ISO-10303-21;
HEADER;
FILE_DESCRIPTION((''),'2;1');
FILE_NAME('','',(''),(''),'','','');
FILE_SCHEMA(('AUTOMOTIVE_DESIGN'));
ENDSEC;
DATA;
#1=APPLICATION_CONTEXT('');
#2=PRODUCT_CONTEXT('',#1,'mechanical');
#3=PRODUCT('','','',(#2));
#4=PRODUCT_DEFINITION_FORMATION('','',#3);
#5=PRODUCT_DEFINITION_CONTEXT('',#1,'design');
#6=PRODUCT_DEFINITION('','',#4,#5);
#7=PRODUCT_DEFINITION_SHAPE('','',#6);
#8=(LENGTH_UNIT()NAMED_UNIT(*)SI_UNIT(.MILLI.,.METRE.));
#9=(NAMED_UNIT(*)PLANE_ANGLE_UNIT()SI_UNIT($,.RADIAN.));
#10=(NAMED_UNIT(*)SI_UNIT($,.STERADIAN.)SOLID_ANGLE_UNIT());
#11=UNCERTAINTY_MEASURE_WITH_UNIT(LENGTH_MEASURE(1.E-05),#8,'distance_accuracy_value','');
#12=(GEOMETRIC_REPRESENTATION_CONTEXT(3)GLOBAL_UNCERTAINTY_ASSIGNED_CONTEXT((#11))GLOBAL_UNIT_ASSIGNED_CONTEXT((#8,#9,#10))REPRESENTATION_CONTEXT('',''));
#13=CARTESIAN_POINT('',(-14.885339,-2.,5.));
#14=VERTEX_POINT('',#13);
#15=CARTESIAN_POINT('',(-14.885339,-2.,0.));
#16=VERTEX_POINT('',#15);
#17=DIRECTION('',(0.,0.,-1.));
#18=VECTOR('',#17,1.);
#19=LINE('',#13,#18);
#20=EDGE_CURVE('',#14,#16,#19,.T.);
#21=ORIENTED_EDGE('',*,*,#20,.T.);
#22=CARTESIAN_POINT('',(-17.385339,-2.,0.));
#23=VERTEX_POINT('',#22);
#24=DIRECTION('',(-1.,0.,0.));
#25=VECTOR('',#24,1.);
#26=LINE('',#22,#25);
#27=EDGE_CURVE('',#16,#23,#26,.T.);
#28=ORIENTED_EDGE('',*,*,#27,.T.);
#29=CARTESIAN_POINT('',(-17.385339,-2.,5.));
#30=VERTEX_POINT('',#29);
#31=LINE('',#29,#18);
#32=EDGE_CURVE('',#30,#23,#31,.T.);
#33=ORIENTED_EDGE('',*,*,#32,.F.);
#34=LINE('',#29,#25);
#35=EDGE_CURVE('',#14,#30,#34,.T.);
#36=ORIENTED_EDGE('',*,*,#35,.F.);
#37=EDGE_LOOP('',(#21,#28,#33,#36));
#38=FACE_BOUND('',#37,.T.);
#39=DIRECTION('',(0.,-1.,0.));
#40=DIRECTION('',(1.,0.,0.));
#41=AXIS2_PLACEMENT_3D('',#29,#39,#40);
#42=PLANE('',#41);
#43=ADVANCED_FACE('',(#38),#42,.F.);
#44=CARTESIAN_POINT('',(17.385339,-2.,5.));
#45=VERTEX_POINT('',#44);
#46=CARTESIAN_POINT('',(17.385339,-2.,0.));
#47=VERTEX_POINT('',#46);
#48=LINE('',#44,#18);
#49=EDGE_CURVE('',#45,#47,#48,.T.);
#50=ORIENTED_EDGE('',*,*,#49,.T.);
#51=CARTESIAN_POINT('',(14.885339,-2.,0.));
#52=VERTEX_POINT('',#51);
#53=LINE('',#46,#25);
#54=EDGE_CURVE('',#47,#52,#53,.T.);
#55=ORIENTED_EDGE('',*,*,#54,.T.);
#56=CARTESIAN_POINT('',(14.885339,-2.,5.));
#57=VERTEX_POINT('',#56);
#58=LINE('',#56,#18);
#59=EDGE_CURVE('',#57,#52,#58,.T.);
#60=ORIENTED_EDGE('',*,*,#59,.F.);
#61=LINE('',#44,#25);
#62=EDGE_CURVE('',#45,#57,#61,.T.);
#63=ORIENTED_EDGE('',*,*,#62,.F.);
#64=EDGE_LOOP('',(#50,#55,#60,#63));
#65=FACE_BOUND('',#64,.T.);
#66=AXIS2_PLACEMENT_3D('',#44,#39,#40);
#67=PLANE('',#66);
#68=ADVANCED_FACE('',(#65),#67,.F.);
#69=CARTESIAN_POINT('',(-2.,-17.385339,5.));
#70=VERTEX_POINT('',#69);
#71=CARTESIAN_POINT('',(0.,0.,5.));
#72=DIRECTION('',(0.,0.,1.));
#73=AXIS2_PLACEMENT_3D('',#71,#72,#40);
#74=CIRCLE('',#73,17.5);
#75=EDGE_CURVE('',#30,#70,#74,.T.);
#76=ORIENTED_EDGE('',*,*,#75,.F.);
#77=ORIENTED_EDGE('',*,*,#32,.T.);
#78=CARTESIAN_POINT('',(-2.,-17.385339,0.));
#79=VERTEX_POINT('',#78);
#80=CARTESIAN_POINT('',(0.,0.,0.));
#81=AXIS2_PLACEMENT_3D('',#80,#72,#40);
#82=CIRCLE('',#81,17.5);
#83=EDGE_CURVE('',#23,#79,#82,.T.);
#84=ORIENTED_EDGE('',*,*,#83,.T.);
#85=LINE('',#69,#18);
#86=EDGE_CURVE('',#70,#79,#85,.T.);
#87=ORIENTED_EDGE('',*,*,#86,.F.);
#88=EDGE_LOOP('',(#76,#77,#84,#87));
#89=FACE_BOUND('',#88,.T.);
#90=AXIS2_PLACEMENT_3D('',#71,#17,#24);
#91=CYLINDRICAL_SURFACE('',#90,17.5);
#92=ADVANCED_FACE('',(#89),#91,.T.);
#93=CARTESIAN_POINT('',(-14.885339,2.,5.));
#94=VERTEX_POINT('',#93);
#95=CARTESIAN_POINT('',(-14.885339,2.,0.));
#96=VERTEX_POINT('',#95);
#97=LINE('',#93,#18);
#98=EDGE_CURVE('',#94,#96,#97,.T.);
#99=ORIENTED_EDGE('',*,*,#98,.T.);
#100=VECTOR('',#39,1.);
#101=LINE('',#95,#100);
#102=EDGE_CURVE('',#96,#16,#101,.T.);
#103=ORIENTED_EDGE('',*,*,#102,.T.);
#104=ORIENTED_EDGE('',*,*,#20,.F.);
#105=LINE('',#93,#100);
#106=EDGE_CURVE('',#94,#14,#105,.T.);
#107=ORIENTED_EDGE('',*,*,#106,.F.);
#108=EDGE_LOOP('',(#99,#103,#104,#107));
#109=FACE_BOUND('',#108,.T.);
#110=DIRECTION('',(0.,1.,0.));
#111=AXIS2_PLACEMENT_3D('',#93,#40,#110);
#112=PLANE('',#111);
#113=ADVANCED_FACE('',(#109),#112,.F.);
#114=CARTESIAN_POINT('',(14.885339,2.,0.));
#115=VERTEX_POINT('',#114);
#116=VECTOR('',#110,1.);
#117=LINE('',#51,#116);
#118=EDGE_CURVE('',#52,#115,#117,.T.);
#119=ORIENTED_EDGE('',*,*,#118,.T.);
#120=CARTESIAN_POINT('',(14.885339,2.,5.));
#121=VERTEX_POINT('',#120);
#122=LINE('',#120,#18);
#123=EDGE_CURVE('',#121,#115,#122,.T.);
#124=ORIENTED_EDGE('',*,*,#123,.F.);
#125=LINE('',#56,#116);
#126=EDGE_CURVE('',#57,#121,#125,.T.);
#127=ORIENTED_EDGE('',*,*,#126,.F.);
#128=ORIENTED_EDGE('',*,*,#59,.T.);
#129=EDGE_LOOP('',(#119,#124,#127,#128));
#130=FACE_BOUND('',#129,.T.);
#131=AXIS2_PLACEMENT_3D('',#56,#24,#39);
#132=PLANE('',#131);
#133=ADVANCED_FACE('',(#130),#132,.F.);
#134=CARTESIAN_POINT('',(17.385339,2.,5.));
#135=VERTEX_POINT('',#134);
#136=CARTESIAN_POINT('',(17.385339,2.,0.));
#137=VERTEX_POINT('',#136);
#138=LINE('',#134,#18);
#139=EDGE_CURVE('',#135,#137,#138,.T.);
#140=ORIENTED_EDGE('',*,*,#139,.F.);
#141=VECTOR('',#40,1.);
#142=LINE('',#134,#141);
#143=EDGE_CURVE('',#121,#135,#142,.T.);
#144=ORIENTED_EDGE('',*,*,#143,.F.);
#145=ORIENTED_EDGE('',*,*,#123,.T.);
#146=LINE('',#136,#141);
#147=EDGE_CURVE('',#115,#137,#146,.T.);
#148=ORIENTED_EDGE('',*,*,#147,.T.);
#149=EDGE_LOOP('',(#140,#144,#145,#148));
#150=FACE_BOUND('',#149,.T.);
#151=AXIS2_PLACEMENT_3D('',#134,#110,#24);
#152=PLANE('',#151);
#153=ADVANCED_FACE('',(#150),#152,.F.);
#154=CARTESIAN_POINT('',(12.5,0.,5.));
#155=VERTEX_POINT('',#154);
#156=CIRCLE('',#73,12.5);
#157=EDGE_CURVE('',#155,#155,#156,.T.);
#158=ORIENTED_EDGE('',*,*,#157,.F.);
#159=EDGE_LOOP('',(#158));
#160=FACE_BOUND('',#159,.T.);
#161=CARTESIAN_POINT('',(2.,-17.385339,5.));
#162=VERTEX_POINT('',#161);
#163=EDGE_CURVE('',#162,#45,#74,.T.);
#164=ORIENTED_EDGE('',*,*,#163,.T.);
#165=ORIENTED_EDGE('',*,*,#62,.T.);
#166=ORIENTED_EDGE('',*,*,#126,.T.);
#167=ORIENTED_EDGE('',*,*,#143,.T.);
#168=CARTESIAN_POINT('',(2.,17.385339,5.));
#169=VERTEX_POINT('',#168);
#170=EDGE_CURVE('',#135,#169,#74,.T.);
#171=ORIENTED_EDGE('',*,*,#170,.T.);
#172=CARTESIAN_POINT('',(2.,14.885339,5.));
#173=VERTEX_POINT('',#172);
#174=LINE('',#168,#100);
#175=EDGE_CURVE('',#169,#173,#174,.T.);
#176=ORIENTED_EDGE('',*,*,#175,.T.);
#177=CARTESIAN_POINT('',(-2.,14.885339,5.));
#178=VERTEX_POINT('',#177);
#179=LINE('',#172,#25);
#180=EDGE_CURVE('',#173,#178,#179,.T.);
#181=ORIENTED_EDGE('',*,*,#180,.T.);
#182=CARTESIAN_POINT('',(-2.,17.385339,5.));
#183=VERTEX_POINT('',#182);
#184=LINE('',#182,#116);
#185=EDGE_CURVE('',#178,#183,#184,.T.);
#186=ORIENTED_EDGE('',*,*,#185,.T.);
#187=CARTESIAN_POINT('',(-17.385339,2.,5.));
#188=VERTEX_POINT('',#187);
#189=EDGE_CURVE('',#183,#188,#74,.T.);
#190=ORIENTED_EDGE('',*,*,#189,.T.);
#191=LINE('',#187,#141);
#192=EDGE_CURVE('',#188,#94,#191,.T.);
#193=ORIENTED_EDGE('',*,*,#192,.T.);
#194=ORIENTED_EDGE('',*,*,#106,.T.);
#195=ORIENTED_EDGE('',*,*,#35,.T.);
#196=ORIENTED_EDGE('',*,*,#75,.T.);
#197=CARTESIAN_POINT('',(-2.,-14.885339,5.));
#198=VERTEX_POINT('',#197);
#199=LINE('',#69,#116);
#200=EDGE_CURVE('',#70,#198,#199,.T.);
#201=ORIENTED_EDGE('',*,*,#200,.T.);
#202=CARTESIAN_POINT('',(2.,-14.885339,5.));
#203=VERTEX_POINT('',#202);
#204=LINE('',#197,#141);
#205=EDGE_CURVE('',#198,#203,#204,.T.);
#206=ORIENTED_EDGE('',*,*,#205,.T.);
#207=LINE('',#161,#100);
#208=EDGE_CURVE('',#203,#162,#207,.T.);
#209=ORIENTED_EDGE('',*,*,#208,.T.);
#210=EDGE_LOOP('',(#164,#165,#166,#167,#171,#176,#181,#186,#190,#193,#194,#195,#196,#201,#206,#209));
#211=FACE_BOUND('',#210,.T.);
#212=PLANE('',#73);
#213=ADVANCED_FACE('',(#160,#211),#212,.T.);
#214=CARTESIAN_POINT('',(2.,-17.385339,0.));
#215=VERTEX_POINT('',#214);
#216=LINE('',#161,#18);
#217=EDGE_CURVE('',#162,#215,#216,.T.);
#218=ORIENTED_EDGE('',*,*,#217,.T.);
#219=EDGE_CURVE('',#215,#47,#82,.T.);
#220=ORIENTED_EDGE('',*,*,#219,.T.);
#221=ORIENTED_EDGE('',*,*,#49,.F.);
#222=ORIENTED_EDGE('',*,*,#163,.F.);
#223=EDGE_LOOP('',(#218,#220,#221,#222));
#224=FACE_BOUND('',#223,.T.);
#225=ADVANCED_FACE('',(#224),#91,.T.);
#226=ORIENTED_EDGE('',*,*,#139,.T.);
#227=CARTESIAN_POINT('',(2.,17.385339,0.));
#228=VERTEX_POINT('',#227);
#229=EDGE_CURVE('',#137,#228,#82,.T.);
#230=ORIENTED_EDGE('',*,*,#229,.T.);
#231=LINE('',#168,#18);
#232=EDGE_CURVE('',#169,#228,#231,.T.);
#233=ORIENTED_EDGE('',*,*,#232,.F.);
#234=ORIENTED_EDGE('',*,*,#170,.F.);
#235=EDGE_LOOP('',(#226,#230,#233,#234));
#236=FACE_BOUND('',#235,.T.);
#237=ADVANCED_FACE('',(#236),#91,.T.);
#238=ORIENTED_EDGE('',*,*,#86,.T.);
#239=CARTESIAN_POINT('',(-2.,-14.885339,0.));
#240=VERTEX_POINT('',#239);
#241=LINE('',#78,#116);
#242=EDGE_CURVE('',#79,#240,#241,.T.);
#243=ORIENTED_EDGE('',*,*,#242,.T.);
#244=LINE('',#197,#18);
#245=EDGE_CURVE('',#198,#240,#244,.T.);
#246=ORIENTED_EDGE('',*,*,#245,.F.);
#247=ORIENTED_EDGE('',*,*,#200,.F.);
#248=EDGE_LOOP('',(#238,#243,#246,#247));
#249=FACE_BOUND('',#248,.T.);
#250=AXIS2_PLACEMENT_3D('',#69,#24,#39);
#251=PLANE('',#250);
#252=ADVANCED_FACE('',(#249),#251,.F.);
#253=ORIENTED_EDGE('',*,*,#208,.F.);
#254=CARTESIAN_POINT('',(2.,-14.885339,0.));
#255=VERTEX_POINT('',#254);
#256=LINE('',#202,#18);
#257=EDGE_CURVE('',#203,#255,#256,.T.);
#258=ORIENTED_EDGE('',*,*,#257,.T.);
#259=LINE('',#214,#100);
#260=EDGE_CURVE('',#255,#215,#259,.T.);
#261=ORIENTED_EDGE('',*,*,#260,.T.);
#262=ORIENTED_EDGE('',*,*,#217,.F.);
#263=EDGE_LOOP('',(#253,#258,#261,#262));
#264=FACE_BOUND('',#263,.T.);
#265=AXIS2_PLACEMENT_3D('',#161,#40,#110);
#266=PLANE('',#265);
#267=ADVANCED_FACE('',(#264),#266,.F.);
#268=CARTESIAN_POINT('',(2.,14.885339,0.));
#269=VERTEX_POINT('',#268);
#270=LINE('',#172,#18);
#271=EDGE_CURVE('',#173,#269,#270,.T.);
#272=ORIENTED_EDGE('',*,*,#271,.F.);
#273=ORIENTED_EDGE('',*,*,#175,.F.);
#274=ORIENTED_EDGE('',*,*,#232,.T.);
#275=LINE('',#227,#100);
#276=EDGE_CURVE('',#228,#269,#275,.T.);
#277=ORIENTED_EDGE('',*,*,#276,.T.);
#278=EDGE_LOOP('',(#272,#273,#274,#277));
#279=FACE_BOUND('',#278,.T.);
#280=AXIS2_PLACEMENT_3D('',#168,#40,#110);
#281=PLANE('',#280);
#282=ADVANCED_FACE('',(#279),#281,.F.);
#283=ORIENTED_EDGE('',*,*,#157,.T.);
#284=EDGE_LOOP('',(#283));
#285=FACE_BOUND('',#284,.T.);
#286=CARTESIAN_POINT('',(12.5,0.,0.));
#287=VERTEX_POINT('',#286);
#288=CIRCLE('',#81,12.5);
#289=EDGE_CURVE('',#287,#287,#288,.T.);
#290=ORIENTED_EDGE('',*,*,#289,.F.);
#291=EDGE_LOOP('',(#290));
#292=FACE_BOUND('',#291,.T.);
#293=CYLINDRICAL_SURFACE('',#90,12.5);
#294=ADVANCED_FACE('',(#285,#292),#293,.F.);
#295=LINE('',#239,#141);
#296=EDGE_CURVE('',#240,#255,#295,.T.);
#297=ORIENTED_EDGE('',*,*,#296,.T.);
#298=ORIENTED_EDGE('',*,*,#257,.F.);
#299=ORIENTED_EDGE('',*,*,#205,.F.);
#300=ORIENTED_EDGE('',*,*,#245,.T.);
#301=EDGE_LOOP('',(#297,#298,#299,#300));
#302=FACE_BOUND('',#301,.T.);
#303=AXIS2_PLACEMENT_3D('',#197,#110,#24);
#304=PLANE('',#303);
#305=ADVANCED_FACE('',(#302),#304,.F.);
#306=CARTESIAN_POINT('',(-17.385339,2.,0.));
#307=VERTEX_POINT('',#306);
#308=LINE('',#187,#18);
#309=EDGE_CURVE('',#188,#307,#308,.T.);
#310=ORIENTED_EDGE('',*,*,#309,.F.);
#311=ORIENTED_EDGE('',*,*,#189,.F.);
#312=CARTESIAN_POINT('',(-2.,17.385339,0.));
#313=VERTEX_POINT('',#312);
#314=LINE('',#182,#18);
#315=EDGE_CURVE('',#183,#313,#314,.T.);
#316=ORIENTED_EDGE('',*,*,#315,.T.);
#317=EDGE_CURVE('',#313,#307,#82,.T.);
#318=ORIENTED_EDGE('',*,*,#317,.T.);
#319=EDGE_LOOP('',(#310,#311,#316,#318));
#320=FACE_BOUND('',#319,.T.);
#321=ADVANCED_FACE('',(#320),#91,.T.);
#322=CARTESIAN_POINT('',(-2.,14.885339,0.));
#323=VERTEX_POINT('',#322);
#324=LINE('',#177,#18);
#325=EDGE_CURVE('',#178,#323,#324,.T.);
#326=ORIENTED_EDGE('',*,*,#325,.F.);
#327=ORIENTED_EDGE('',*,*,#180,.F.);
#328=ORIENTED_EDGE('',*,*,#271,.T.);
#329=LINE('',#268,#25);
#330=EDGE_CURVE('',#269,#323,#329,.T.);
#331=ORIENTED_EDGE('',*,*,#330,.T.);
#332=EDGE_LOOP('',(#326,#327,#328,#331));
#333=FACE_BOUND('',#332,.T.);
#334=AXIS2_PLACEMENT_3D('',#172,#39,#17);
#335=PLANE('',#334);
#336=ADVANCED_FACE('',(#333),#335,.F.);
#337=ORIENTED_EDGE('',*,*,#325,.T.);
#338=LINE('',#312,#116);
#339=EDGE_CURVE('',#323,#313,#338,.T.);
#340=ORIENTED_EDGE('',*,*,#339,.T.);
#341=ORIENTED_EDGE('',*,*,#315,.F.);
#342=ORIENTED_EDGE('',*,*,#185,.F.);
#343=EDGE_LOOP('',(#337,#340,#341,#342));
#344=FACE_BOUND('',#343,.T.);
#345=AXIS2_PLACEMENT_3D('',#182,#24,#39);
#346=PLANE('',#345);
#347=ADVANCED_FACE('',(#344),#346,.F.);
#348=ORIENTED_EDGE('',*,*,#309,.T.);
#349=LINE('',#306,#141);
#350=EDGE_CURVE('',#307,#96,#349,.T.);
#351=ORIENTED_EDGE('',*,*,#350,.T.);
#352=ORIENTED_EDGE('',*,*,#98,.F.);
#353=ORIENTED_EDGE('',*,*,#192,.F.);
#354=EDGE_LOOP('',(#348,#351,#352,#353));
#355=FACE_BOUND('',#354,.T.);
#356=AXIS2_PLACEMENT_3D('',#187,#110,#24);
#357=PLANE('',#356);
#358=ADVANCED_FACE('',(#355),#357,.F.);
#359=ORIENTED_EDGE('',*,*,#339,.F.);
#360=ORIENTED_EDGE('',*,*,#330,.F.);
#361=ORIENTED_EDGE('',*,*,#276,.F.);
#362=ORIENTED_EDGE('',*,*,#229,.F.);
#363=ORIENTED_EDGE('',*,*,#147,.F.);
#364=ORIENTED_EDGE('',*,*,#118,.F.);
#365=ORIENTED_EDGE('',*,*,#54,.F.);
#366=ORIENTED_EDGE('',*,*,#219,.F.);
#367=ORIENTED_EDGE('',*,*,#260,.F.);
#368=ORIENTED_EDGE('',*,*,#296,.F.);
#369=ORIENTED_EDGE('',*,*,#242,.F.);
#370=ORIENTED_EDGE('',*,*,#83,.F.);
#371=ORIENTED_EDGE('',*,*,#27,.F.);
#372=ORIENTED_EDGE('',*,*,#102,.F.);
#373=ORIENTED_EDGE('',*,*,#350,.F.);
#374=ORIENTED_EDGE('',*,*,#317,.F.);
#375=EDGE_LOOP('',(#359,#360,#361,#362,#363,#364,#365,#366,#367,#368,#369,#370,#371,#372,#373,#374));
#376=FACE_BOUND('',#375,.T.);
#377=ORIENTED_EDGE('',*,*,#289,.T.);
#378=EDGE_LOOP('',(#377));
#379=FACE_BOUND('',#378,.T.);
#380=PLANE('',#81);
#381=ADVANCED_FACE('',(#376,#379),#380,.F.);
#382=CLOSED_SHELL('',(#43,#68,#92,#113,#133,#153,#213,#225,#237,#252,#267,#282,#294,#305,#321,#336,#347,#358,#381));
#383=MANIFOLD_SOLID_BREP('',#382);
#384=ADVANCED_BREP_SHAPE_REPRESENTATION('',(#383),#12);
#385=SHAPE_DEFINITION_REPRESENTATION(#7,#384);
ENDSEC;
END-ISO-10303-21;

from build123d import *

# Parameters (mm, degrees)
SKETCH1_R           = 12.5
BOSS_EXTRUDE1_DEPTH = 5


with BuildPart() as part:
    # Sketch1 → Boss-Extrude1 (new body)
    with BuildSketch(Plane.XY):
        with BuildLine():
            Line((17.385338651, 2), (14.885338651, 2))
            Line((14.885338651, 2), (14.885338651, -2))
            Line((14.885338651, -2), (17.385338651, -2))
            ThreePointArc((17.385338651, -2), (12.374368671, -12.374368671), (2, -17.385338651))
            Line((2, -17.385338651), (2, -14.885338651))
            Line((2, -14.885338651), (-2, -14.885338651))
            Line((-2, -14.885338651), (-2, -17.385338651))
            ThreePointArc((-2, -17.385338651), (-12.374368671, -12.374368671), (-17.385338651, -2))
            Line((-17.385338651, -2), (-14.885338651, -2))
            Line((-14.885338651, -2), (-14.885338651, 2))
            Line((-14.885338651, 2), (-17.385338651, 2))
            ThreePointArc((-17.385338651, 2), (-12.374368671, 12.374368671), (-2, 17.385338651))
            Line((-2, 17.385338651), (-2, 14.885338651))
            Line((-2, 14.885338651), (2, 14.885338651))
            Line((2, 14.885338651), (2, 17.385338651))
            ThreePointArc((2, 17.385338651), (12.374368671, 12.374368671), (17.385338651, 2))
        make_face()
        Circle(SKETCH1_R, mode=Mode.SUBTRACT)
    extrude(amount=BOSS_EXTRUDE1_DEPTH)


solid = part.part
